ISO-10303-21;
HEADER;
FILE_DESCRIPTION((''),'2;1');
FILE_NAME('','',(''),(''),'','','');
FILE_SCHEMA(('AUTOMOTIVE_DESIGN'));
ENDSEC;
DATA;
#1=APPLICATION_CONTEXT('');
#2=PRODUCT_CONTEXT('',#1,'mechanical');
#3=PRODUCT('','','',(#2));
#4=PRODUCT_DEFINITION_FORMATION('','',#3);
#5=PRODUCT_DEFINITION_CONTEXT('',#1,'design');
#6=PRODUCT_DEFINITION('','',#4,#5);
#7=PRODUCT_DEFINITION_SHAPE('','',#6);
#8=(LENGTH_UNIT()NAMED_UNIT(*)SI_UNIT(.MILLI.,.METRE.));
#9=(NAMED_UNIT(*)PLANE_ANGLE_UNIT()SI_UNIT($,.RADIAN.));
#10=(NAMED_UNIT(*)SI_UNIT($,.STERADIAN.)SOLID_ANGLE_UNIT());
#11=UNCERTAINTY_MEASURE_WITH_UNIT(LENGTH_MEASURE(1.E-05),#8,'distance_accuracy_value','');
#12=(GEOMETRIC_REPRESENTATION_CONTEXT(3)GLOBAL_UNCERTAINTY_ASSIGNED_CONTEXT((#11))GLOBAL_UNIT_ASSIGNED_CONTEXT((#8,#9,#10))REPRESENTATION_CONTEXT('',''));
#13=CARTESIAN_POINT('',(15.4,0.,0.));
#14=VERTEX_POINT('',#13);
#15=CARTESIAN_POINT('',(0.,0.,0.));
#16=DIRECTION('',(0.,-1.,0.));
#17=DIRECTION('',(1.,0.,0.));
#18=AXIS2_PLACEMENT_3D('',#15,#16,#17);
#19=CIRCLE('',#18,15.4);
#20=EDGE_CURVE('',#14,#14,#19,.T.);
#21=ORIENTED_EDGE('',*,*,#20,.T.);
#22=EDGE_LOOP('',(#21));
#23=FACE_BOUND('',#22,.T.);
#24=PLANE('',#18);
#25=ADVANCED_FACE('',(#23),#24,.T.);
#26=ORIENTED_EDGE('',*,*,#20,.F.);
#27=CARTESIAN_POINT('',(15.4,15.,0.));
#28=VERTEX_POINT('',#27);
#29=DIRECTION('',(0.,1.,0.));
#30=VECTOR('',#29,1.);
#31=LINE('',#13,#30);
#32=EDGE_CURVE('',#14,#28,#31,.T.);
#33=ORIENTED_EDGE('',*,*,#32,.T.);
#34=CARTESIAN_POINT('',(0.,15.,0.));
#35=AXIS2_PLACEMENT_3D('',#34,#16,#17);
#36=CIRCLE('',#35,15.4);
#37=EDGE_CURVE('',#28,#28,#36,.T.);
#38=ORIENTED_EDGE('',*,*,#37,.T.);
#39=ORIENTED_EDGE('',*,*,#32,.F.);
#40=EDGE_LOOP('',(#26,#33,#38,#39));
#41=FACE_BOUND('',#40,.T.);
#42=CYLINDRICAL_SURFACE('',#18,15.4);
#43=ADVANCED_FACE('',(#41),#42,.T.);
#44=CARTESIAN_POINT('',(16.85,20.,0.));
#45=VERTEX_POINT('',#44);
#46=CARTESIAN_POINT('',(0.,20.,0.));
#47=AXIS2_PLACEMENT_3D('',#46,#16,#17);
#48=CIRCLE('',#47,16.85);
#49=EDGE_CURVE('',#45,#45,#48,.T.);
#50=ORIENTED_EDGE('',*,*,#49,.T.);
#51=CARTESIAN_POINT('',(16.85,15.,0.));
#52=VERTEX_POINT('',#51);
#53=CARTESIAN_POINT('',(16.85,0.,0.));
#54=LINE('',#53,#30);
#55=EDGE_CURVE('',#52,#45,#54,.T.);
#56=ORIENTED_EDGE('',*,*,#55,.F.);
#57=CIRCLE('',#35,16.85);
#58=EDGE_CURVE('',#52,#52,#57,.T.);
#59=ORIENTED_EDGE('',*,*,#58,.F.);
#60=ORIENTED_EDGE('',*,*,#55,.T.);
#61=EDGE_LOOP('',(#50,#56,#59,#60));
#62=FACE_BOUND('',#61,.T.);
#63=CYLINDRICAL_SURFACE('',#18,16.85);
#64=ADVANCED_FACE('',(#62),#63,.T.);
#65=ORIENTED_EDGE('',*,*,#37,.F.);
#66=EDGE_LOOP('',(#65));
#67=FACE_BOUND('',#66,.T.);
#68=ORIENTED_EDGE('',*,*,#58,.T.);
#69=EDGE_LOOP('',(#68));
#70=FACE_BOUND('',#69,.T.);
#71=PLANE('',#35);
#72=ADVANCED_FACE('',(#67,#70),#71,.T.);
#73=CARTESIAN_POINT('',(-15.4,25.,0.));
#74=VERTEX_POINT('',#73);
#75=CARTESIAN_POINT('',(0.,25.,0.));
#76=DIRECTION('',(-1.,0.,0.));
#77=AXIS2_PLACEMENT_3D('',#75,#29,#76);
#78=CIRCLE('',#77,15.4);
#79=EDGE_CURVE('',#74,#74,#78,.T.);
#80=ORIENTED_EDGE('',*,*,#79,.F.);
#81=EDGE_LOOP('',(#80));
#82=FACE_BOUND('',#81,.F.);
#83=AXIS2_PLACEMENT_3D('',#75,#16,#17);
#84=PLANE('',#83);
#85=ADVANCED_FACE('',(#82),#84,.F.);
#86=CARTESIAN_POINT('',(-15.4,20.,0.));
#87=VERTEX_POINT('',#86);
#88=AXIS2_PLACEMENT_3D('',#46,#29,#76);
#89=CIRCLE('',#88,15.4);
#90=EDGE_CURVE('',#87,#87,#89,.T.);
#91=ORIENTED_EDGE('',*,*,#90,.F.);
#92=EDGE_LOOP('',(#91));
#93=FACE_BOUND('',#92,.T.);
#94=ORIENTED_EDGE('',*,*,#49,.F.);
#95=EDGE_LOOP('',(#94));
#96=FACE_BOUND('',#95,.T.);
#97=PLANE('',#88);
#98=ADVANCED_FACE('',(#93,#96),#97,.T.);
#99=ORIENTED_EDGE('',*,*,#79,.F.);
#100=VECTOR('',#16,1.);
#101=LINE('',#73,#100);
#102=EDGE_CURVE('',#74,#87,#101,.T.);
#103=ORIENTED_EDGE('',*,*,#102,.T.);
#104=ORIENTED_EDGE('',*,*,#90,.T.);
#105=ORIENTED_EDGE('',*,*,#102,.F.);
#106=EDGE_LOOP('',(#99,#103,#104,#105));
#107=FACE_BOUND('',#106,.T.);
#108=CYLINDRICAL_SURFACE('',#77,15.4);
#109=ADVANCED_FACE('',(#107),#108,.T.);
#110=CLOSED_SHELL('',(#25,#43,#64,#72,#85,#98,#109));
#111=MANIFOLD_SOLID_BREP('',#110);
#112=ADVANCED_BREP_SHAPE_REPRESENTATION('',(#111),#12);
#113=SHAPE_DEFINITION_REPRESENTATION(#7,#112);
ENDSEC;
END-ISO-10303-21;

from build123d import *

# Parameters (mm, degrees)
F0_R     = 16.85
F1_DEPTH = 25
F2_R     = 22.410556
F2_R_2   = 15.4
F3_DEPTH = 15
F4_R     = 22.657316
F4_R_2   = 15.4
F5_DEPTH = 5


with BuildPart() as f1:
    # F0 (on Front) → F1 (new body)
    with BuildSketch(Plane.XZ):
        Circle(F0_R)
    extrude(amount=-F1_DEPTH)

    # F2 (on Front) → F3 (cut)
    with BuildSketch(Plane.XZ):
        Circle(F2_R)
        Circle(F2_R_2, mode=Mode.SUBTRACT)
    extrude(amount=-F3_DEPTH, mode=Mode.SUBTRACT)

    # F4 (on face) → F5 (cut)
    with BuildSketch(Plane(origin=(0, 25, 0), x_dir=(-1, 0, 0), z_dir=(0, 1, 0))):
        Circle(F4_R)
        Circle(F4_R_2, mode=Mode.SUBTRACT)
    extrude(amount=-F5_DEPTH, mode=Mode.SUBTRACT)


solid = f1.part
